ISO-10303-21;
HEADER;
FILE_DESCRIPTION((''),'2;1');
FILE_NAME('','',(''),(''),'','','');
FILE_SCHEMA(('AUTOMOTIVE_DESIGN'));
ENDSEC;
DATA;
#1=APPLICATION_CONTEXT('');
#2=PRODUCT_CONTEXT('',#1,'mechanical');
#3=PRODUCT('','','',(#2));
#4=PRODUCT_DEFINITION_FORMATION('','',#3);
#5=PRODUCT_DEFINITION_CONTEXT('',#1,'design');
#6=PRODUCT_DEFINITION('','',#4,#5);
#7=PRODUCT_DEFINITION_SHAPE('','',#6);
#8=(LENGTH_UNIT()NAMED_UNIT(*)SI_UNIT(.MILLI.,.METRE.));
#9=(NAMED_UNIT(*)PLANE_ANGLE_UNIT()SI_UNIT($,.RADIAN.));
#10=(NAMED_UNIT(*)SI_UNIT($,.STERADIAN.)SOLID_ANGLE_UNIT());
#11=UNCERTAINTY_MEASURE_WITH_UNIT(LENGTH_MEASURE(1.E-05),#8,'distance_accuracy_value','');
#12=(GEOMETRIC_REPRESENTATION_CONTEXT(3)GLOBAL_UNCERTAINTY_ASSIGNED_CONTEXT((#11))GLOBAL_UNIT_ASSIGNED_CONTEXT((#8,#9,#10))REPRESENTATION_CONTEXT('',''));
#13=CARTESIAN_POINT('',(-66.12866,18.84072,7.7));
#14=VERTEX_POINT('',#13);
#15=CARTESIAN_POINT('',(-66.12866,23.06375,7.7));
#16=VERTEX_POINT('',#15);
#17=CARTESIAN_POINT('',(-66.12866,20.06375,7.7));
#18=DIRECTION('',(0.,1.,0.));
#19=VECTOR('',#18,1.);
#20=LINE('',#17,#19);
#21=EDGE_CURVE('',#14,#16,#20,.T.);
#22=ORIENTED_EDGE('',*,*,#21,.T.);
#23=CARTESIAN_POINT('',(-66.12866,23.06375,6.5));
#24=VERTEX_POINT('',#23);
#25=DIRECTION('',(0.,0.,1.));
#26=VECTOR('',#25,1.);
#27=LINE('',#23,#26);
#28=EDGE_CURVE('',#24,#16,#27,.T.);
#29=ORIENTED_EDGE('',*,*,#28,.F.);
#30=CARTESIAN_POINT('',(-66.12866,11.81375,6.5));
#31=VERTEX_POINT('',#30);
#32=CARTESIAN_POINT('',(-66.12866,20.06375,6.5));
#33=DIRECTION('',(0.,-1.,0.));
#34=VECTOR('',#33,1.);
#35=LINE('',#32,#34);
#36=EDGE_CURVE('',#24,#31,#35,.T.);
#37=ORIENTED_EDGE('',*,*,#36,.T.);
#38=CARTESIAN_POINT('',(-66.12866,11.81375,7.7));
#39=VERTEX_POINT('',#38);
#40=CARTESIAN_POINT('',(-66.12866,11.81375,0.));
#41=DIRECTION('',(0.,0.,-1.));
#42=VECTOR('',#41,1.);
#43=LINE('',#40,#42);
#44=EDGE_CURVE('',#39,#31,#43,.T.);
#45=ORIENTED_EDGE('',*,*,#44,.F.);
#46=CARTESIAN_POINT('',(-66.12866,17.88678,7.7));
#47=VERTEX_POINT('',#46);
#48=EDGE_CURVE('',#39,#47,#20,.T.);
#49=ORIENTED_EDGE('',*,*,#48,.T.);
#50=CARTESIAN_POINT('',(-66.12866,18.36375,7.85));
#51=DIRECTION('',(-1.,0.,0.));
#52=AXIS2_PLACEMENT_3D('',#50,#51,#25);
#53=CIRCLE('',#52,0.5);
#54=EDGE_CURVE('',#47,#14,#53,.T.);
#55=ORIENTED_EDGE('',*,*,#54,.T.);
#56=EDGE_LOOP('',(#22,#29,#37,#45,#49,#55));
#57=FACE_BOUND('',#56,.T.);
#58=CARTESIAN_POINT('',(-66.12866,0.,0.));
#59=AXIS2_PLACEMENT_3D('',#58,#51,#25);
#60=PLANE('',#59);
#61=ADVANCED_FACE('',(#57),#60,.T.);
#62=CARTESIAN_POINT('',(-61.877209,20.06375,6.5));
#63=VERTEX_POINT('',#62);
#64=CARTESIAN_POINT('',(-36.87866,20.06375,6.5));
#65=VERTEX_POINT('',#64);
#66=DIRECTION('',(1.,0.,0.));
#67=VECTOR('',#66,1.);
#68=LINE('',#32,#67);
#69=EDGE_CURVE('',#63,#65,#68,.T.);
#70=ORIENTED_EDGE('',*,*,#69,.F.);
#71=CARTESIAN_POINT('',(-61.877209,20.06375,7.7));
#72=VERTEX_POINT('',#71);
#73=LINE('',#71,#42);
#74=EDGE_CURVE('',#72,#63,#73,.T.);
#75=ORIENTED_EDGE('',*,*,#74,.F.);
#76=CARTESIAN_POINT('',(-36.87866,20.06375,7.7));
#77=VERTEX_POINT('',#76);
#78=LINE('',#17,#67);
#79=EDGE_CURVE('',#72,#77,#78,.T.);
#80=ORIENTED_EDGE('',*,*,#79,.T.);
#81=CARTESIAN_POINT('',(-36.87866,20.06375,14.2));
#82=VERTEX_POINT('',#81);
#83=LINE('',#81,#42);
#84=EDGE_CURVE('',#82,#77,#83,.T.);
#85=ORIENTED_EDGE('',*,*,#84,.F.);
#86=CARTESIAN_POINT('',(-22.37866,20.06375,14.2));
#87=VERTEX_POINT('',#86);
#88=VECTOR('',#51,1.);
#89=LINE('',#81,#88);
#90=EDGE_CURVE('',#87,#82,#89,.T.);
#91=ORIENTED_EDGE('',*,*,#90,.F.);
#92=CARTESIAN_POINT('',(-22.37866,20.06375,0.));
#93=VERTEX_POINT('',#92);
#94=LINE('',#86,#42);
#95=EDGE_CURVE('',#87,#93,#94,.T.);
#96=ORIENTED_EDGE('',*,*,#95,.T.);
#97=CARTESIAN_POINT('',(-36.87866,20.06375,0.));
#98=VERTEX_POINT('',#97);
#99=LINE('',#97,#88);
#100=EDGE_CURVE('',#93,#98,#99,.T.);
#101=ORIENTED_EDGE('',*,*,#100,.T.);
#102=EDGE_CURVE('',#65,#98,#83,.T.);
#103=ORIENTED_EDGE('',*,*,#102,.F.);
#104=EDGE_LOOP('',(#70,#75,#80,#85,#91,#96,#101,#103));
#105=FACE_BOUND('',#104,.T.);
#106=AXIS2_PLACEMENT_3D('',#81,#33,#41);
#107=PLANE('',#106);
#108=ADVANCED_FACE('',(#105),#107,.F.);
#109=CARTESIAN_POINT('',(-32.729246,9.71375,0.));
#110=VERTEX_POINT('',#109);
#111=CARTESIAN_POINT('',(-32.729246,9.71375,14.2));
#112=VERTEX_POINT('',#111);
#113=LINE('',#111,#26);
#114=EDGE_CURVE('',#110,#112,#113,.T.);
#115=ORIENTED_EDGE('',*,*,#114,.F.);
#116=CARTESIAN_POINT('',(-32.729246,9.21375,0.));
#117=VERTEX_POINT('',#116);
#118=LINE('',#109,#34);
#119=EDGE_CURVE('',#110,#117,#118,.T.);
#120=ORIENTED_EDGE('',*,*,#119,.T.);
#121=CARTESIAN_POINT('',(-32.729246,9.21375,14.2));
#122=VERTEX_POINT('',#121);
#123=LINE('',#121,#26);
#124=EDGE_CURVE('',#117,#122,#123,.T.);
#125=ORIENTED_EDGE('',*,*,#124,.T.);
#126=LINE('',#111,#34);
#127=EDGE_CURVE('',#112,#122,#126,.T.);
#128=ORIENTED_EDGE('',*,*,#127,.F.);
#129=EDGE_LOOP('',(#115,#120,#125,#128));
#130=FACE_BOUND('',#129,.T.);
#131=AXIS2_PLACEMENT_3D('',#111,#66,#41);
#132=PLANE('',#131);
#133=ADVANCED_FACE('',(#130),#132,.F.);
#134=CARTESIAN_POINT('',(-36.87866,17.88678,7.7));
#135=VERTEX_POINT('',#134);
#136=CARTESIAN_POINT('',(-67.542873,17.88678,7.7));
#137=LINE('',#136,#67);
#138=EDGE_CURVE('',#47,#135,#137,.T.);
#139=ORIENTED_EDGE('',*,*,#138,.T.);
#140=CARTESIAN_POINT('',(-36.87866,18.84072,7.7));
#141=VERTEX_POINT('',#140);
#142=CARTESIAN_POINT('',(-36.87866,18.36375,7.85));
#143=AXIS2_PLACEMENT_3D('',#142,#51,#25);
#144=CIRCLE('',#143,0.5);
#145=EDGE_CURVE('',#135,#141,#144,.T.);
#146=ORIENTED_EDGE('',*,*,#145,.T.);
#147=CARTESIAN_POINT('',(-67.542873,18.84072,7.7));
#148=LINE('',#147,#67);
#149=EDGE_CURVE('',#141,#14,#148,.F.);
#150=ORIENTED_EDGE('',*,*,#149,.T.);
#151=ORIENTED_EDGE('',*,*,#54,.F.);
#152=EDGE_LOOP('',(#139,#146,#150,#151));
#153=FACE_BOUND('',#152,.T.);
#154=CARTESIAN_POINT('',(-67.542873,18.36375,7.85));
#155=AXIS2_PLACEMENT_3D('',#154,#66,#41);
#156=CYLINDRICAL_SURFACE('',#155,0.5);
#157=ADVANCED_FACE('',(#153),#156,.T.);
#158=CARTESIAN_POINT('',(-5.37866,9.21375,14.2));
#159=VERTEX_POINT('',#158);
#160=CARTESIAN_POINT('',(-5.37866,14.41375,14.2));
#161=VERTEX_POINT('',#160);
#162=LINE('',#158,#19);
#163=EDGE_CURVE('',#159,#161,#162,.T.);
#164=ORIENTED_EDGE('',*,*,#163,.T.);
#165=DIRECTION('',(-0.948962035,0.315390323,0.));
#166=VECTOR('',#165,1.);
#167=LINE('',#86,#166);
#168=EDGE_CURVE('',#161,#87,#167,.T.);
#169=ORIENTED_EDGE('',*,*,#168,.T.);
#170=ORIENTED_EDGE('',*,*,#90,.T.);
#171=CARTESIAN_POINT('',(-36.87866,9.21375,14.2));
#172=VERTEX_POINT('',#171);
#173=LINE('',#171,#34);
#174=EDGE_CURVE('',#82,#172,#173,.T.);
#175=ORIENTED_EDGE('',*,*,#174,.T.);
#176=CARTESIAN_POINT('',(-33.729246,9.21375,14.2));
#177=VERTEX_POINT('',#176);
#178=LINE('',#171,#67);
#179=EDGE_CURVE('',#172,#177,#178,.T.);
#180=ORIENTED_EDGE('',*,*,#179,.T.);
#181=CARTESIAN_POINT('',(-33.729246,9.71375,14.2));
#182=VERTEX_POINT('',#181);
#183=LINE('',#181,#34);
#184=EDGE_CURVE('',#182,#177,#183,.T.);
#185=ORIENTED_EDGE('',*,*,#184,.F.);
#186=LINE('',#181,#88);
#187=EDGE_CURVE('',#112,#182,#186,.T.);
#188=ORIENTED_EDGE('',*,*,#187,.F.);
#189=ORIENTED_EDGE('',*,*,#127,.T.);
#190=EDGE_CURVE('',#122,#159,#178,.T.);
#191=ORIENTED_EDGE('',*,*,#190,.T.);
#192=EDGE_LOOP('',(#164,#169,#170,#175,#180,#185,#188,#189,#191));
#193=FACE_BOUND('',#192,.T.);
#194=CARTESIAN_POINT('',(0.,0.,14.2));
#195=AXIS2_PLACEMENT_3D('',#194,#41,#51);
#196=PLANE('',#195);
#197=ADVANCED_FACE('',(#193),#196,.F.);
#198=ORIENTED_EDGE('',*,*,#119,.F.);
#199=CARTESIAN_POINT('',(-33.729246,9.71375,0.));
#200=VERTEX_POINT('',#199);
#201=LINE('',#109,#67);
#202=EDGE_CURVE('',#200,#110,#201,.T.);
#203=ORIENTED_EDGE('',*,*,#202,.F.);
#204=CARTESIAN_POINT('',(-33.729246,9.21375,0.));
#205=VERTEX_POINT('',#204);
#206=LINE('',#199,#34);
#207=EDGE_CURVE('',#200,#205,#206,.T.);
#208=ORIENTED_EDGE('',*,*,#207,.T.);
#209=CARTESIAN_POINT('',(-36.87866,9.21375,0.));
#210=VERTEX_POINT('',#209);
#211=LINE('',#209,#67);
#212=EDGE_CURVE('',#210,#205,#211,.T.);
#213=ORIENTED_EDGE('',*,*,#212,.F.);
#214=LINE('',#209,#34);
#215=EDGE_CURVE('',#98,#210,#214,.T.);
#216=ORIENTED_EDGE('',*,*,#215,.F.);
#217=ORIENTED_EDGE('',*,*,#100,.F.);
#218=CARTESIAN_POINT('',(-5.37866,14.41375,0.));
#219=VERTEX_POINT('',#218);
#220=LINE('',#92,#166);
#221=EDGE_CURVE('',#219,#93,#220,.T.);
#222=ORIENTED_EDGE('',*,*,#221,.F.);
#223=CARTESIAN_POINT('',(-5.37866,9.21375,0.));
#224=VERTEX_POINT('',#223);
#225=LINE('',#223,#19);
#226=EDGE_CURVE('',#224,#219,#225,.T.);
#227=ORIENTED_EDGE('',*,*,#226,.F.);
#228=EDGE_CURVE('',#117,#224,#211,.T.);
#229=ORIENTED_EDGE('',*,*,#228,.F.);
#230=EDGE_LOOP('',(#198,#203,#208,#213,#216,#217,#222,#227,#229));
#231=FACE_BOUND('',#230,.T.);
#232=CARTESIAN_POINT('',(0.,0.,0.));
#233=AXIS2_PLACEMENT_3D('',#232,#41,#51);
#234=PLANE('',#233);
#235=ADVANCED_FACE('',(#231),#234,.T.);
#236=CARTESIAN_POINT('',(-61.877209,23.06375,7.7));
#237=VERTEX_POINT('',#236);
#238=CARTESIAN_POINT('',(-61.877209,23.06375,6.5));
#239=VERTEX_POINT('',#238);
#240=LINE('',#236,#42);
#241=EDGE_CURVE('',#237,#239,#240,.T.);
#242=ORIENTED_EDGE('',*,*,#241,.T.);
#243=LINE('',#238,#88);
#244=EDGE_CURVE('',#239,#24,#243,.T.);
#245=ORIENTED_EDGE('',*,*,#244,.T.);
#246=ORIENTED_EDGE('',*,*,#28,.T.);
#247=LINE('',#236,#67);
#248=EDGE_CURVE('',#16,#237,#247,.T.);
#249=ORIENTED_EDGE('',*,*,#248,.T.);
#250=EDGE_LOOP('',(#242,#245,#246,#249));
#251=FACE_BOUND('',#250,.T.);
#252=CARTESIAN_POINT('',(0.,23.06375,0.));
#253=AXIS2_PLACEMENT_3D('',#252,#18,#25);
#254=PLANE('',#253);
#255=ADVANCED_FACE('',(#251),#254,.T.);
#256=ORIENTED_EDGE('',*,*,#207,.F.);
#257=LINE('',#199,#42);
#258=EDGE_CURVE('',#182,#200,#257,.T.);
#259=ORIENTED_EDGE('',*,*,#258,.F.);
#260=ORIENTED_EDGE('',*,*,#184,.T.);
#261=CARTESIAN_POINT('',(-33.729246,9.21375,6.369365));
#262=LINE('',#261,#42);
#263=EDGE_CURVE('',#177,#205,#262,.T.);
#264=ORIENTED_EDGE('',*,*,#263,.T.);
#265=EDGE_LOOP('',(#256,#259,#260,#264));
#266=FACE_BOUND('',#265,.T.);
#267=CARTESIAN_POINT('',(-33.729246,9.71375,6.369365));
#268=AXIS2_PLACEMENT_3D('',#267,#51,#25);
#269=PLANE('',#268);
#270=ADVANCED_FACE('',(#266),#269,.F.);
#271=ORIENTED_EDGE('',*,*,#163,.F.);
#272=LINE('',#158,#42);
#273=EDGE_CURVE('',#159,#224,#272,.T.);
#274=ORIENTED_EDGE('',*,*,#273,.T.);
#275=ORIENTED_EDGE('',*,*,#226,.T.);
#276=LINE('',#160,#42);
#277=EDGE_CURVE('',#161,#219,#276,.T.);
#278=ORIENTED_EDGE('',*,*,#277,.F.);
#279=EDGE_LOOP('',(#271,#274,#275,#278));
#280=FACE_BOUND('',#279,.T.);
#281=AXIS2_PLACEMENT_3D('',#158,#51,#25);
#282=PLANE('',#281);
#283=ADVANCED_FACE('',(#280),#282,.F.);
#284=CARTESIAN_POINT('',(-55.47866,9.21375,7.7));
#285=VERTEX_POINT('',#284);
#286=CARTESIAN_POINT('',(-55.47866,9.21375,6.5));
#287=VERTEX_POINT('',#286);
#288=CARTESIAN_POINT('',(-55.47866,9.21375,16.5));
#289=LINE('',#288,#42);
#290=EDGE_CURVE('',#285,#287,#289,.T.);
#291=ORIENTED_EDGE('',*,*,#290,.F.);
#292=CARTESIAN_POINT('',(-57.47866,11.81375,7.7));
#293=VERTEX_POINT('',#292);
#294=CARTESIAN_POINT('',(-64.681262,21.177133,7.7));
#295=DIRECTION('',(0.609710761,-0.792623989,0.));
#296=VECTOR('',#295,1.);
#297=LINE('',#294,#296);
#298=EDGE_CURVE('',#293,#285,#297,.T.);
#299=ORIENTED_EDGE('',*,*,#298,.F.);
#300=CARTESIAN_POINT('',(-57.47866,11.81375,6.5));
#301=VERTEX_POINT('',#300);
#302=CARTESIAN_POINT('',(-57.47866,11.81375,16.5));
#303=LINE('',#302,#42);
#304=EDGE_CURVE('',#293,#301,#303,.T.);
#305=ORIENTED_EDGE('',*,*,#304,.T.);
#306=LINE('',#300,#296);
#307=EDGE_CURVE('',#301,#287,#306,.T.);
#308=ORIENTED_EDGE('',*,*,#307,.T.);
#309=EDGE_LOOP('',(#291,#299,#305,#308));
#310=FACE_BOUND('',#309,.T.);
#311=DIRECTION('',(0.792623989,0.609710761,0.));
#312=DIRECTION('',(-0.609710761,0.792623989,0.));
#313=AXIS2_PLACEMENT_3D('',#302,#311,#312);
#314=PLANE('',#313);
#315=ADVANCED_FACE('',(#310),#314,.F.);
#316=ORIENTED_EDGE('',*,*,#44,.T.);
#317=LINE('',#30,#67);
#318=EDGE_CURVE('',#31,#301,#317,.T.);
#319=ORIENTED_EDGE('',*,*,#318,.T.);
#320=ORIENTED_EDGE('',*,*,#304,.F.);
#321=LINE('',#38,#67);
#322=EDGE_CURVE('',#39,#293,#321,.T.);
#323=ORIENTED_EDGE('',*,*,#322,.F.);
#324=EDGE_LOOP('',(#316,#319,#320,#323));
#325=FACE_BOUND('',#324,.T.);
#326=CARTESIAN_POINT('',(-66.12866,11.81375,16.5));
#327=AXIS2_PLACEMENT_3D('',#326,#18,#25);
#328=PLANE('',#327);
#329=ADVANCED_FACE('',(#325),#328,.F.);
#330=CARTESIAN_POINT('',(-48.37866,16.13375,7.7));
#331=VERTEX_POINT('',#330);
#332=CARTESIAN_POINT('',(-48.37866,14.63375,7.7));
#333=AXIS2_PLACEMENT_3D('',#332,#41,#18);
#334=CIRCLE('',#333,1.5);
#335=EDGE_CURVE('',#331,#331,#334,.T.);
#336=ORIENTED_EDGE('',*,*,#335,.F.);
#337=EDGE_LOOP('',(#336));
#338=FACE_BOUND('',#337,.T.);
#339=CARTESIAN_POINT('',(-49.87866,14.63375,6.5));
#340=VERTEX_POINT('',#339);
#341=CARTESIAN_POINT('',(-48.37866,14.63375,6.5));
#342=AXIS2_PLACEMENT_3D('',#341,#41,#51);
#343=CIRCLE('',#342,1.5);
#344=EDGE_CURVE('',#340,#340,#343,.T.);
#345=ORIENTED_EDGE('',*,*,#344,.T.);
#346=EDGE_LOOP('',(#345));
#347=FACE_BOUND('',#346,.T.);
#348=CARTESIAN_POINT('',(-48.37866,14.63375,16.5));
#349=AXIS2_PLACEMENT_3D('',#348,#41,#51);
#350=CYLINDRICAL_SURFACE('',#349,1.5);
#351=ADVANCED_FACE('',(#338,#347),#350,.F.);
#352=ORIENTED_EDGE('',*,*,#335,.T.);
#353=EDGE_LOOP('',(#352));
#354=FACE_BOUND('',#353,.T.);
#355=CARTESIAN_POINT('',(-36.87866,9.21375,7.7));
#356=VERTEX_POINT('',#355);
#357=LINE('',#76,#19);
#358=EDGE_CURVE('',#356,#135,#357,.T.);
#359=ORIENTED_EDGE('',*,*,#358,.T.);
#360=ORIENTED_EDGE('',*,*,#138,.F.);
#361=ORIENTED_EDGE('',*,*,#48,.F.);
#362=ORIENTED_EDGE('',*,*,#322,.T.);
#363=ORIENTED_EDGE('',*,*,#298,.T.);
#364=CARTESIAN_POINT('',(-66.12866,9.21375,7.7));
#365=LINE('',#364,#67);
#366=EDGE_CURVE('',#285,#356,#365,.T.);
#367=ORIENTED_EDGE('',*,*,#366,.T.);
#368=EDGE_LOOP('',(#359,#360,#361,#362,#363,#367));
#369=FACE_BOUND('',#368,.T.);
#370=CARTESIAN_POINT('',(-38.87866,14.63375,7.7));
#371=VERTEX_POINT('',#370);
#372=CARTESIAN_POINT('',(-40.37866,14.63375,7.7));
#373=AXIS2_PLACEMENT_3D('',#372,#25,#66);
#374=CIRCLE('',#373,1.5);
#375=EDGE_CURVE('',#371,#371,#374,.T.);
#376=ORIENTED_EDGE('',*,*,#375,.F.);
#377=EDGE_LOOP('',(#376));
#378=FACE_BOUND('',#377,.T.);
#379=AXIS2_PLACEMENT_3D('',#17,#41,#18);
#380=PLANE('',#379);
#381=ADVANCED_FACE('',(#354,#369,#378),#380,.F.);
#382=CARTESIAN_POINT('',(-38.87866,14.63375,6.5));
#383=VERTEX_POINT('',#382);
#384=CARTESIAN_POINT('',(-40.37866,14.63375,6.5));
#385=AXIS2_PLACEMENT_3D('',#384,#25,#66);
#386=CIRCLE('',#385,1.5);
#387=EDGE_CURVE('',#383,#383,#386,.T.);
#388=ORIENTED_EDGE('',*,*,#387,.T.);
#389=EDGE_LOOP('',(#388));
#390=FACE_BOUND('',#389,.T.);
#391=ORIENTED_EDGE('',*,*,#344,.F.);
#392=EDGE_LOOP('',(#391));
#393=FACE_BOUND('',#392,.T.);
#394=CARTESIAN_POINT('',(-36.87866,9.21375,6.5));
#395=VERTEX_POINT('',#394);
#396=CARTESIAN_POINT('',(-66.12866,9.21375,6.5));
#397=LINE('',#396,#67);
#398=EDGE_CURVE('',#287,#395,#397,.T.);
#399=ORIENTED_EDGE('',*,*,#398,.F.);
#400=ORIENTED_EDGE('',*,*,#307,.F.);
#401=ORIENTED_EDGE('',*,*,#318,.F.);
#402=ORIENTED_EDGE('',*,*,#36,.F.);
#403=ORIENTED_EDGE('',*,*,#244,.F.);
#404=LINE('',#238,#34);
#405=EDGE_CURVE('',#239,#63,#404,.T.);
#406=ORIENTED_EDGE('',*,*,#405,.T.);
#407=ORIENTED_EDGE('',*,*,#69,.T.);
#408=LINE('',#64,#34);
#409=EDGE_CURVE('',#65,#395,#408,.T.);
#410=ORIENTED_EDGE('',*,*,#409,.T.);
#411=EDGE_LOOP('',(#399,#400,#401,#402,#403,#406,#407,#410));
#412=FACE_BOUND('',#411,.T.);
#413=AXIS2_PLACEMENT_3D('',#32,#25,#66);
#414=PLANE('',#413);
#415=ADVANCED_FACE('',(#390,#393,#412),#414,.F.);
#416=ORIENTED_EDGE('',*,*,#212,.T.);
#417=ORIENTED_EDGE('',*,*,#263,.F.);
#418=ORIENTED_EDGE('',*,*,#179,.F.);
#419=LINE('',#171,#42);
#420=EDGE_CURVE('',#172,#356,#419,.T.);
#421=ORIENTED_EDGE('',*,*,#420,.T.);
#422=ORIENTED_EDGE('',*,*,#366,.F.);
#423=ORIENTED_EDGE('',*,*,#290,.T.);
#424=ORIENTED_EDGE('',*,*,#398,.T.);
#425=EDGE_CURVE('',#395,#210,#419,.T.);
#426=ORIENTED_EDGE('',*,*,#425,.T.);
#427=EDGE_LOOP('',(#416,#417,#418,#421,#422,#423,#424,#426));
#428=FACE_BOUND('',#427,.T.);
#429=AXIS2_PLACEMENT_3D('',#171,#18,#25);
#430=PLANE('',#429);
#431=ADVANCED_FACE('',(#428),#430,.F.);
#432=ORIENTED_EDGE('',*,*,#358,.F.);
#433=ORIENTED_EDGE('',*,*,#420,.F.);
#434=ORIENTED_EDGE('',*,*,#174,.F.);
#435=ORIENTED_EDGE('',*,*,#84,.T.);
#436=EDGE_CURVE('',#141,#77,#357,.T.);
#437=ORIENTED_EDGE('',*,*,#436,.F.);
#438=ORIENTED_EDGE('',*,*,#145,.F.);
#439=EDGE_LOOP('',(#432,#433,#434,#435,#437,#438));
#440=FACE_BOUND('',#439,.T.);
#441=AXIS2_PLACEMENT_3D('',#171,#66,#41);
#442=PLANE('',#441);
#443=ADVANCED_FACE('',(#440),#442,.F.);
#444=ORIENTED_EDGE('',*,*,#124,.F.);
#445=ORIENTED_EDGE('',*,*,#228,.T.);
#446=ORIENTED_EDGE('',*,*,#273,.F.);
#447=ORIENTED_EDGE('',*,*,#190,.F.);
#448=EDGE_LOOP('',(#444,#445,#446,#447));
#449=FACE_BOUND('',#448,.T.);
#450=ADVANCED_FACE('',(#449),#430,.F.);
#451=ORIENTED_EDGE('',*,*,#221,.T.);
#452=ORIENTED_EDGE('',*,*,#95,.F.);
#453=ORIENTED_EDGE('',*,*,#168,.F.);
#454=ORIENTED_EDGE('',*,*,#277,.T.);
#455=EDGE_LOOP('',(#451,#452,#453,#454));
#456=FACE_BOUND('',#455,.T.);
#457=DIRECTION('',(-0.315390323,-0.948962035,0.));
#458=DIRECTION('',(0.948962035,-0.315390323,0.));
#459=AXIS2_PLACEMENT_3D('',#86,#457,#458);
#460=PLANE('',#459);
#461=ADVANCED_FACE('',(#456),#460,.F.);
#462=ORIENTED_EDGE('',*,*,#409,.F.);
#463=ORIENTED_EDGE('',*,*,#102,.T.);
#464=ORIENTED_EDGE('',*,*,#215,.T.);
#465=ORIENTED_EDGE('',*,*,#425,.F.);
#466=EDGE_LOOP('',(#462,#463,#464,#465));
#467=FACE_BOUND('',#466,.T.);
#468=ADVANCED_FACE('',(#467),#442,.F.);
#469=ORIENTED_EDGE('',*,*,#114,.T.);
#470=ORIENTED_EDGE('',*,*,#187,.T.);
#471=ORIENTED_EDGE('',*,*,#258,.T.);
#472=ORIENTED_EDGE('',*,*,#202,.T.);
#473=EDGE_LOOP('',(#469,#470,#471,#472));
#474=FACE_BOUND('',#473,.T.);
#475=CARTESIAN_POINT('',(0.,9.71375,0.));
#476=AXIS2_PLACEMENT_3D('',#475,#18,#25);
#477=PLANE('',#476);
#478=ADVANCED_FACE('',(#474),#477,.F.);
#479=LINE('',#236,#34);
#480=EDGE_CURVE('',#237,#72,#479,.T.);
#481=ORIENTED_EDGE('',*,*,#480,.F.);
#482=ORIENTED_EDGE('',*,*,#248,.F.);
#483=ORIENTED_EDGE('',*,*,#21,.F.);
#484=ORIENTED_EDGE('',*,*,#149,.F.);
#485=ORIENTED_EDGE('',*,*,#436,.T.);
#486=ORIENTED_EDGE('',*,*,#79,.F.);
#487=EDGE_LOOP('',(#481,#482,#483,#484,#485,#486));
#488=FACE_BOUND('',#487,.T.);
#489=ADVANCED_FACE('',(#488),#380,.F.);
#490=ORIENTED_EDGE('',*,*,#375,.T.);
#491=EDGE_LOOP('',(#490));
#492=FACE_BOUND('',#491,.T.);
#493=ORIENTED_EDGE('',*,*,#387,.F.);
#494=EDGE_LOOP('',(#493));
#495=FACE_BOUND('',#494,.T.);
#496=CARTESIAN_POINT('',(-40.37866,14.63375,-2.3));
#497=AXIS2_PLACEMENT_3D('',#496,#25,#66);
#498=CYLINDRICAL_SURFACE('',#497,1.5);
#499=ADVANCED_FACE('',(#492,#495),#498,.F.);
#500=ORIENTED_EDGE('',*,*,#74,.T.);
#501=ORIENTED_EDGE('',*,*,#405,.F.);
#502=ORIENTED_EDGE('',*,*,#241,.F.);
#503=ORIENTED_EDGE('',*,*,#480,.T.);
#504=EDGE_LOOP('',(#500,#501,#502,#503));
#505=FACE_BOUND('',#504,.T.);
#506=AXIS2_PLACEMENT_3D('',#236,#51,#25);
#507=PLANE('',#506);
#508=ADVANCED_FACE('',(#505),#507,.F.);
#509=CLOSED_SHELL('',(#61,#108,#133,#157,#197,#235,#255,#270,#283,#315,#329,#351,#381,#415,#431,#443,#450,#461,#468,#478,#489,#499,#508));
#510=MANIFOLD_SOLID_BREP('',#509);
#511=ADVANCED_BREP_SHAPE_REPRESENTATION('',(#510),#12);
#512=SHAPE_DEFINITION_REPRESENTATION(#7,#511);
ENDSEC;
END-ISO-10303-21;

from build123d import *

# Parameters (mm, degrees)
DODANIE_WYCI_GNI_CIE1_DEPTH = 14.2
SZKIC2_W                    = 1.2
SZKIC2_H                    = 10.85
DODANIE_WYCI_GNI_CIE3_DEPTH = 29.25
SZKIC6_W                    = 4.251450278
SZKIC6_H                    = 1.2
DODANIE_WYCI_GNI_CIE4_DEPTH = 3
SZKIC20_R                   = 1.5
WYTNIJ_WYCI_GNI_CIE5_DEPTH  = 10
WYTNIJ_WYCI_GNI_CIE3_DEPTH  = 0.5
SZKIC11_R                   = 0.5
DODANIE_WYCI_GNI_CIE5_DEPTH = 29.25
WYTNIJ_WYCI_GNI_CIE6_DEPTH  = 10
SZKIC23_R                   = 1.5
WYTNIJ_WYCI_GNI_CIE8_DEPTH  = 10


with BuildPart() as part:
    # Szkic1 → Dodanie-wyciągnięcie1 (new body)
    with BuildSketch(Plane.XY):
        Polygon((-36.878659539, 9.21375), (-5.378659539, 9.21375), (-5.378659539, 14.41375), (-22.378659539, 20.06375), (-36.878659539, 20.06375), align=None)
    extrude(amount=DODANIE_WYCI_GNI_CIE1_DEPTH)

    # Szkic2 → Dodanie-wyciągnięcie3 (add)
    with BuildSketch(Plane.ZY.offset(36.878659539)):
        with Locations((7.1, 14.63875)):
            Rectangle(SZKIC2_W, SZKIC2_H)
    extrude(amount=DODANIE_WYCI_GNI_CIE3_DEPTH)

    # Szkic6 → Dodanie-wyciągnięcie4 (add)
    with BuildSketch(Plane(origin=(0, 20.06375, 0), x_dir=(1, 0, 0), z_dir=(0, 1, 0))):
        with Locations((-64.0029344, -7.1)):
            Rectangle(SZKIC6_W, SZKIC6_H)
    extrude(amount=DODANIE_WYCI_GNI_CIE4_DEPTH)

    # Szkic20 → Wytnij-wyciągnięcie5 (cut)
    with BuildSketch(Plane.XY.offset(7.7)):
        with Locations((-40.378659539, 14.63375)):
            Circle(SZKIC20_R)
    extrude(amount=-WYTNIJ_WYCI_GNI_CIE5_DEPTH, mode=Mode.SUBTRACT)

    # Szkic10 → Wytnij-wyciągnięcie3 (cut)
    with BuildSketch(Plane.XZ.offset(-9.21375)):
        Polygon((-33.729246345, 6.369364803), (-33.729246345, 14.2), (-32.729246345, 14.2), (-32.729246345, 0), (-33.729246345, 0), align=None)
    extrude(amount=-WYTNIJ_WYCI_GNI_CIE3_DEPTH, mode=Mode.SUBTRACT)

    # Szkic11 → Dodanie-wyciągnięcie5 (add)
    with BuildSketch(Plane.ZY.offset(36.878659539)):
        with Locations((7.85, 18.36375)):
            Circle(SZKIC11_R)
    extrude(amount=DODANIE_WYCI_GNI_CIE5_DEPTH)

    # Szkic21 → Wytnij-wyciągnięcie6 (cut)
    with BuildSketch(Plane(origin=(0, 0, 6.5), x_dir=(-1, 0, 0), z_dir=(0, 0, -1))):
        Polygon((55.478659539, 9.21375), (66.128659539, 9.21375), (66.128659539, 11.81375), (57.478659539, 11.81375), align=None)
    extrude(amount=-WYTNIJ_WYCI_GNI_CIE6_DEPTH, mode=Mode.SUBTRACT)

    # Szkic23 → Wytnij-wyciągnięcie8 (cut)
    with BuildSketch(Plane(origin=(0, 0, 6.5), x_dir=(-1, 0, 0), z_dir=(0, 0, -1))):
        with Locations((48.378659539, 14.63375)):
            Circle(SZKIC23_R)
    extrude(amount=-WYTNIJ_WYCI_GNI_CIE8_DEPTH, mode=Mode.SUBTRACT)


solid = part.part
